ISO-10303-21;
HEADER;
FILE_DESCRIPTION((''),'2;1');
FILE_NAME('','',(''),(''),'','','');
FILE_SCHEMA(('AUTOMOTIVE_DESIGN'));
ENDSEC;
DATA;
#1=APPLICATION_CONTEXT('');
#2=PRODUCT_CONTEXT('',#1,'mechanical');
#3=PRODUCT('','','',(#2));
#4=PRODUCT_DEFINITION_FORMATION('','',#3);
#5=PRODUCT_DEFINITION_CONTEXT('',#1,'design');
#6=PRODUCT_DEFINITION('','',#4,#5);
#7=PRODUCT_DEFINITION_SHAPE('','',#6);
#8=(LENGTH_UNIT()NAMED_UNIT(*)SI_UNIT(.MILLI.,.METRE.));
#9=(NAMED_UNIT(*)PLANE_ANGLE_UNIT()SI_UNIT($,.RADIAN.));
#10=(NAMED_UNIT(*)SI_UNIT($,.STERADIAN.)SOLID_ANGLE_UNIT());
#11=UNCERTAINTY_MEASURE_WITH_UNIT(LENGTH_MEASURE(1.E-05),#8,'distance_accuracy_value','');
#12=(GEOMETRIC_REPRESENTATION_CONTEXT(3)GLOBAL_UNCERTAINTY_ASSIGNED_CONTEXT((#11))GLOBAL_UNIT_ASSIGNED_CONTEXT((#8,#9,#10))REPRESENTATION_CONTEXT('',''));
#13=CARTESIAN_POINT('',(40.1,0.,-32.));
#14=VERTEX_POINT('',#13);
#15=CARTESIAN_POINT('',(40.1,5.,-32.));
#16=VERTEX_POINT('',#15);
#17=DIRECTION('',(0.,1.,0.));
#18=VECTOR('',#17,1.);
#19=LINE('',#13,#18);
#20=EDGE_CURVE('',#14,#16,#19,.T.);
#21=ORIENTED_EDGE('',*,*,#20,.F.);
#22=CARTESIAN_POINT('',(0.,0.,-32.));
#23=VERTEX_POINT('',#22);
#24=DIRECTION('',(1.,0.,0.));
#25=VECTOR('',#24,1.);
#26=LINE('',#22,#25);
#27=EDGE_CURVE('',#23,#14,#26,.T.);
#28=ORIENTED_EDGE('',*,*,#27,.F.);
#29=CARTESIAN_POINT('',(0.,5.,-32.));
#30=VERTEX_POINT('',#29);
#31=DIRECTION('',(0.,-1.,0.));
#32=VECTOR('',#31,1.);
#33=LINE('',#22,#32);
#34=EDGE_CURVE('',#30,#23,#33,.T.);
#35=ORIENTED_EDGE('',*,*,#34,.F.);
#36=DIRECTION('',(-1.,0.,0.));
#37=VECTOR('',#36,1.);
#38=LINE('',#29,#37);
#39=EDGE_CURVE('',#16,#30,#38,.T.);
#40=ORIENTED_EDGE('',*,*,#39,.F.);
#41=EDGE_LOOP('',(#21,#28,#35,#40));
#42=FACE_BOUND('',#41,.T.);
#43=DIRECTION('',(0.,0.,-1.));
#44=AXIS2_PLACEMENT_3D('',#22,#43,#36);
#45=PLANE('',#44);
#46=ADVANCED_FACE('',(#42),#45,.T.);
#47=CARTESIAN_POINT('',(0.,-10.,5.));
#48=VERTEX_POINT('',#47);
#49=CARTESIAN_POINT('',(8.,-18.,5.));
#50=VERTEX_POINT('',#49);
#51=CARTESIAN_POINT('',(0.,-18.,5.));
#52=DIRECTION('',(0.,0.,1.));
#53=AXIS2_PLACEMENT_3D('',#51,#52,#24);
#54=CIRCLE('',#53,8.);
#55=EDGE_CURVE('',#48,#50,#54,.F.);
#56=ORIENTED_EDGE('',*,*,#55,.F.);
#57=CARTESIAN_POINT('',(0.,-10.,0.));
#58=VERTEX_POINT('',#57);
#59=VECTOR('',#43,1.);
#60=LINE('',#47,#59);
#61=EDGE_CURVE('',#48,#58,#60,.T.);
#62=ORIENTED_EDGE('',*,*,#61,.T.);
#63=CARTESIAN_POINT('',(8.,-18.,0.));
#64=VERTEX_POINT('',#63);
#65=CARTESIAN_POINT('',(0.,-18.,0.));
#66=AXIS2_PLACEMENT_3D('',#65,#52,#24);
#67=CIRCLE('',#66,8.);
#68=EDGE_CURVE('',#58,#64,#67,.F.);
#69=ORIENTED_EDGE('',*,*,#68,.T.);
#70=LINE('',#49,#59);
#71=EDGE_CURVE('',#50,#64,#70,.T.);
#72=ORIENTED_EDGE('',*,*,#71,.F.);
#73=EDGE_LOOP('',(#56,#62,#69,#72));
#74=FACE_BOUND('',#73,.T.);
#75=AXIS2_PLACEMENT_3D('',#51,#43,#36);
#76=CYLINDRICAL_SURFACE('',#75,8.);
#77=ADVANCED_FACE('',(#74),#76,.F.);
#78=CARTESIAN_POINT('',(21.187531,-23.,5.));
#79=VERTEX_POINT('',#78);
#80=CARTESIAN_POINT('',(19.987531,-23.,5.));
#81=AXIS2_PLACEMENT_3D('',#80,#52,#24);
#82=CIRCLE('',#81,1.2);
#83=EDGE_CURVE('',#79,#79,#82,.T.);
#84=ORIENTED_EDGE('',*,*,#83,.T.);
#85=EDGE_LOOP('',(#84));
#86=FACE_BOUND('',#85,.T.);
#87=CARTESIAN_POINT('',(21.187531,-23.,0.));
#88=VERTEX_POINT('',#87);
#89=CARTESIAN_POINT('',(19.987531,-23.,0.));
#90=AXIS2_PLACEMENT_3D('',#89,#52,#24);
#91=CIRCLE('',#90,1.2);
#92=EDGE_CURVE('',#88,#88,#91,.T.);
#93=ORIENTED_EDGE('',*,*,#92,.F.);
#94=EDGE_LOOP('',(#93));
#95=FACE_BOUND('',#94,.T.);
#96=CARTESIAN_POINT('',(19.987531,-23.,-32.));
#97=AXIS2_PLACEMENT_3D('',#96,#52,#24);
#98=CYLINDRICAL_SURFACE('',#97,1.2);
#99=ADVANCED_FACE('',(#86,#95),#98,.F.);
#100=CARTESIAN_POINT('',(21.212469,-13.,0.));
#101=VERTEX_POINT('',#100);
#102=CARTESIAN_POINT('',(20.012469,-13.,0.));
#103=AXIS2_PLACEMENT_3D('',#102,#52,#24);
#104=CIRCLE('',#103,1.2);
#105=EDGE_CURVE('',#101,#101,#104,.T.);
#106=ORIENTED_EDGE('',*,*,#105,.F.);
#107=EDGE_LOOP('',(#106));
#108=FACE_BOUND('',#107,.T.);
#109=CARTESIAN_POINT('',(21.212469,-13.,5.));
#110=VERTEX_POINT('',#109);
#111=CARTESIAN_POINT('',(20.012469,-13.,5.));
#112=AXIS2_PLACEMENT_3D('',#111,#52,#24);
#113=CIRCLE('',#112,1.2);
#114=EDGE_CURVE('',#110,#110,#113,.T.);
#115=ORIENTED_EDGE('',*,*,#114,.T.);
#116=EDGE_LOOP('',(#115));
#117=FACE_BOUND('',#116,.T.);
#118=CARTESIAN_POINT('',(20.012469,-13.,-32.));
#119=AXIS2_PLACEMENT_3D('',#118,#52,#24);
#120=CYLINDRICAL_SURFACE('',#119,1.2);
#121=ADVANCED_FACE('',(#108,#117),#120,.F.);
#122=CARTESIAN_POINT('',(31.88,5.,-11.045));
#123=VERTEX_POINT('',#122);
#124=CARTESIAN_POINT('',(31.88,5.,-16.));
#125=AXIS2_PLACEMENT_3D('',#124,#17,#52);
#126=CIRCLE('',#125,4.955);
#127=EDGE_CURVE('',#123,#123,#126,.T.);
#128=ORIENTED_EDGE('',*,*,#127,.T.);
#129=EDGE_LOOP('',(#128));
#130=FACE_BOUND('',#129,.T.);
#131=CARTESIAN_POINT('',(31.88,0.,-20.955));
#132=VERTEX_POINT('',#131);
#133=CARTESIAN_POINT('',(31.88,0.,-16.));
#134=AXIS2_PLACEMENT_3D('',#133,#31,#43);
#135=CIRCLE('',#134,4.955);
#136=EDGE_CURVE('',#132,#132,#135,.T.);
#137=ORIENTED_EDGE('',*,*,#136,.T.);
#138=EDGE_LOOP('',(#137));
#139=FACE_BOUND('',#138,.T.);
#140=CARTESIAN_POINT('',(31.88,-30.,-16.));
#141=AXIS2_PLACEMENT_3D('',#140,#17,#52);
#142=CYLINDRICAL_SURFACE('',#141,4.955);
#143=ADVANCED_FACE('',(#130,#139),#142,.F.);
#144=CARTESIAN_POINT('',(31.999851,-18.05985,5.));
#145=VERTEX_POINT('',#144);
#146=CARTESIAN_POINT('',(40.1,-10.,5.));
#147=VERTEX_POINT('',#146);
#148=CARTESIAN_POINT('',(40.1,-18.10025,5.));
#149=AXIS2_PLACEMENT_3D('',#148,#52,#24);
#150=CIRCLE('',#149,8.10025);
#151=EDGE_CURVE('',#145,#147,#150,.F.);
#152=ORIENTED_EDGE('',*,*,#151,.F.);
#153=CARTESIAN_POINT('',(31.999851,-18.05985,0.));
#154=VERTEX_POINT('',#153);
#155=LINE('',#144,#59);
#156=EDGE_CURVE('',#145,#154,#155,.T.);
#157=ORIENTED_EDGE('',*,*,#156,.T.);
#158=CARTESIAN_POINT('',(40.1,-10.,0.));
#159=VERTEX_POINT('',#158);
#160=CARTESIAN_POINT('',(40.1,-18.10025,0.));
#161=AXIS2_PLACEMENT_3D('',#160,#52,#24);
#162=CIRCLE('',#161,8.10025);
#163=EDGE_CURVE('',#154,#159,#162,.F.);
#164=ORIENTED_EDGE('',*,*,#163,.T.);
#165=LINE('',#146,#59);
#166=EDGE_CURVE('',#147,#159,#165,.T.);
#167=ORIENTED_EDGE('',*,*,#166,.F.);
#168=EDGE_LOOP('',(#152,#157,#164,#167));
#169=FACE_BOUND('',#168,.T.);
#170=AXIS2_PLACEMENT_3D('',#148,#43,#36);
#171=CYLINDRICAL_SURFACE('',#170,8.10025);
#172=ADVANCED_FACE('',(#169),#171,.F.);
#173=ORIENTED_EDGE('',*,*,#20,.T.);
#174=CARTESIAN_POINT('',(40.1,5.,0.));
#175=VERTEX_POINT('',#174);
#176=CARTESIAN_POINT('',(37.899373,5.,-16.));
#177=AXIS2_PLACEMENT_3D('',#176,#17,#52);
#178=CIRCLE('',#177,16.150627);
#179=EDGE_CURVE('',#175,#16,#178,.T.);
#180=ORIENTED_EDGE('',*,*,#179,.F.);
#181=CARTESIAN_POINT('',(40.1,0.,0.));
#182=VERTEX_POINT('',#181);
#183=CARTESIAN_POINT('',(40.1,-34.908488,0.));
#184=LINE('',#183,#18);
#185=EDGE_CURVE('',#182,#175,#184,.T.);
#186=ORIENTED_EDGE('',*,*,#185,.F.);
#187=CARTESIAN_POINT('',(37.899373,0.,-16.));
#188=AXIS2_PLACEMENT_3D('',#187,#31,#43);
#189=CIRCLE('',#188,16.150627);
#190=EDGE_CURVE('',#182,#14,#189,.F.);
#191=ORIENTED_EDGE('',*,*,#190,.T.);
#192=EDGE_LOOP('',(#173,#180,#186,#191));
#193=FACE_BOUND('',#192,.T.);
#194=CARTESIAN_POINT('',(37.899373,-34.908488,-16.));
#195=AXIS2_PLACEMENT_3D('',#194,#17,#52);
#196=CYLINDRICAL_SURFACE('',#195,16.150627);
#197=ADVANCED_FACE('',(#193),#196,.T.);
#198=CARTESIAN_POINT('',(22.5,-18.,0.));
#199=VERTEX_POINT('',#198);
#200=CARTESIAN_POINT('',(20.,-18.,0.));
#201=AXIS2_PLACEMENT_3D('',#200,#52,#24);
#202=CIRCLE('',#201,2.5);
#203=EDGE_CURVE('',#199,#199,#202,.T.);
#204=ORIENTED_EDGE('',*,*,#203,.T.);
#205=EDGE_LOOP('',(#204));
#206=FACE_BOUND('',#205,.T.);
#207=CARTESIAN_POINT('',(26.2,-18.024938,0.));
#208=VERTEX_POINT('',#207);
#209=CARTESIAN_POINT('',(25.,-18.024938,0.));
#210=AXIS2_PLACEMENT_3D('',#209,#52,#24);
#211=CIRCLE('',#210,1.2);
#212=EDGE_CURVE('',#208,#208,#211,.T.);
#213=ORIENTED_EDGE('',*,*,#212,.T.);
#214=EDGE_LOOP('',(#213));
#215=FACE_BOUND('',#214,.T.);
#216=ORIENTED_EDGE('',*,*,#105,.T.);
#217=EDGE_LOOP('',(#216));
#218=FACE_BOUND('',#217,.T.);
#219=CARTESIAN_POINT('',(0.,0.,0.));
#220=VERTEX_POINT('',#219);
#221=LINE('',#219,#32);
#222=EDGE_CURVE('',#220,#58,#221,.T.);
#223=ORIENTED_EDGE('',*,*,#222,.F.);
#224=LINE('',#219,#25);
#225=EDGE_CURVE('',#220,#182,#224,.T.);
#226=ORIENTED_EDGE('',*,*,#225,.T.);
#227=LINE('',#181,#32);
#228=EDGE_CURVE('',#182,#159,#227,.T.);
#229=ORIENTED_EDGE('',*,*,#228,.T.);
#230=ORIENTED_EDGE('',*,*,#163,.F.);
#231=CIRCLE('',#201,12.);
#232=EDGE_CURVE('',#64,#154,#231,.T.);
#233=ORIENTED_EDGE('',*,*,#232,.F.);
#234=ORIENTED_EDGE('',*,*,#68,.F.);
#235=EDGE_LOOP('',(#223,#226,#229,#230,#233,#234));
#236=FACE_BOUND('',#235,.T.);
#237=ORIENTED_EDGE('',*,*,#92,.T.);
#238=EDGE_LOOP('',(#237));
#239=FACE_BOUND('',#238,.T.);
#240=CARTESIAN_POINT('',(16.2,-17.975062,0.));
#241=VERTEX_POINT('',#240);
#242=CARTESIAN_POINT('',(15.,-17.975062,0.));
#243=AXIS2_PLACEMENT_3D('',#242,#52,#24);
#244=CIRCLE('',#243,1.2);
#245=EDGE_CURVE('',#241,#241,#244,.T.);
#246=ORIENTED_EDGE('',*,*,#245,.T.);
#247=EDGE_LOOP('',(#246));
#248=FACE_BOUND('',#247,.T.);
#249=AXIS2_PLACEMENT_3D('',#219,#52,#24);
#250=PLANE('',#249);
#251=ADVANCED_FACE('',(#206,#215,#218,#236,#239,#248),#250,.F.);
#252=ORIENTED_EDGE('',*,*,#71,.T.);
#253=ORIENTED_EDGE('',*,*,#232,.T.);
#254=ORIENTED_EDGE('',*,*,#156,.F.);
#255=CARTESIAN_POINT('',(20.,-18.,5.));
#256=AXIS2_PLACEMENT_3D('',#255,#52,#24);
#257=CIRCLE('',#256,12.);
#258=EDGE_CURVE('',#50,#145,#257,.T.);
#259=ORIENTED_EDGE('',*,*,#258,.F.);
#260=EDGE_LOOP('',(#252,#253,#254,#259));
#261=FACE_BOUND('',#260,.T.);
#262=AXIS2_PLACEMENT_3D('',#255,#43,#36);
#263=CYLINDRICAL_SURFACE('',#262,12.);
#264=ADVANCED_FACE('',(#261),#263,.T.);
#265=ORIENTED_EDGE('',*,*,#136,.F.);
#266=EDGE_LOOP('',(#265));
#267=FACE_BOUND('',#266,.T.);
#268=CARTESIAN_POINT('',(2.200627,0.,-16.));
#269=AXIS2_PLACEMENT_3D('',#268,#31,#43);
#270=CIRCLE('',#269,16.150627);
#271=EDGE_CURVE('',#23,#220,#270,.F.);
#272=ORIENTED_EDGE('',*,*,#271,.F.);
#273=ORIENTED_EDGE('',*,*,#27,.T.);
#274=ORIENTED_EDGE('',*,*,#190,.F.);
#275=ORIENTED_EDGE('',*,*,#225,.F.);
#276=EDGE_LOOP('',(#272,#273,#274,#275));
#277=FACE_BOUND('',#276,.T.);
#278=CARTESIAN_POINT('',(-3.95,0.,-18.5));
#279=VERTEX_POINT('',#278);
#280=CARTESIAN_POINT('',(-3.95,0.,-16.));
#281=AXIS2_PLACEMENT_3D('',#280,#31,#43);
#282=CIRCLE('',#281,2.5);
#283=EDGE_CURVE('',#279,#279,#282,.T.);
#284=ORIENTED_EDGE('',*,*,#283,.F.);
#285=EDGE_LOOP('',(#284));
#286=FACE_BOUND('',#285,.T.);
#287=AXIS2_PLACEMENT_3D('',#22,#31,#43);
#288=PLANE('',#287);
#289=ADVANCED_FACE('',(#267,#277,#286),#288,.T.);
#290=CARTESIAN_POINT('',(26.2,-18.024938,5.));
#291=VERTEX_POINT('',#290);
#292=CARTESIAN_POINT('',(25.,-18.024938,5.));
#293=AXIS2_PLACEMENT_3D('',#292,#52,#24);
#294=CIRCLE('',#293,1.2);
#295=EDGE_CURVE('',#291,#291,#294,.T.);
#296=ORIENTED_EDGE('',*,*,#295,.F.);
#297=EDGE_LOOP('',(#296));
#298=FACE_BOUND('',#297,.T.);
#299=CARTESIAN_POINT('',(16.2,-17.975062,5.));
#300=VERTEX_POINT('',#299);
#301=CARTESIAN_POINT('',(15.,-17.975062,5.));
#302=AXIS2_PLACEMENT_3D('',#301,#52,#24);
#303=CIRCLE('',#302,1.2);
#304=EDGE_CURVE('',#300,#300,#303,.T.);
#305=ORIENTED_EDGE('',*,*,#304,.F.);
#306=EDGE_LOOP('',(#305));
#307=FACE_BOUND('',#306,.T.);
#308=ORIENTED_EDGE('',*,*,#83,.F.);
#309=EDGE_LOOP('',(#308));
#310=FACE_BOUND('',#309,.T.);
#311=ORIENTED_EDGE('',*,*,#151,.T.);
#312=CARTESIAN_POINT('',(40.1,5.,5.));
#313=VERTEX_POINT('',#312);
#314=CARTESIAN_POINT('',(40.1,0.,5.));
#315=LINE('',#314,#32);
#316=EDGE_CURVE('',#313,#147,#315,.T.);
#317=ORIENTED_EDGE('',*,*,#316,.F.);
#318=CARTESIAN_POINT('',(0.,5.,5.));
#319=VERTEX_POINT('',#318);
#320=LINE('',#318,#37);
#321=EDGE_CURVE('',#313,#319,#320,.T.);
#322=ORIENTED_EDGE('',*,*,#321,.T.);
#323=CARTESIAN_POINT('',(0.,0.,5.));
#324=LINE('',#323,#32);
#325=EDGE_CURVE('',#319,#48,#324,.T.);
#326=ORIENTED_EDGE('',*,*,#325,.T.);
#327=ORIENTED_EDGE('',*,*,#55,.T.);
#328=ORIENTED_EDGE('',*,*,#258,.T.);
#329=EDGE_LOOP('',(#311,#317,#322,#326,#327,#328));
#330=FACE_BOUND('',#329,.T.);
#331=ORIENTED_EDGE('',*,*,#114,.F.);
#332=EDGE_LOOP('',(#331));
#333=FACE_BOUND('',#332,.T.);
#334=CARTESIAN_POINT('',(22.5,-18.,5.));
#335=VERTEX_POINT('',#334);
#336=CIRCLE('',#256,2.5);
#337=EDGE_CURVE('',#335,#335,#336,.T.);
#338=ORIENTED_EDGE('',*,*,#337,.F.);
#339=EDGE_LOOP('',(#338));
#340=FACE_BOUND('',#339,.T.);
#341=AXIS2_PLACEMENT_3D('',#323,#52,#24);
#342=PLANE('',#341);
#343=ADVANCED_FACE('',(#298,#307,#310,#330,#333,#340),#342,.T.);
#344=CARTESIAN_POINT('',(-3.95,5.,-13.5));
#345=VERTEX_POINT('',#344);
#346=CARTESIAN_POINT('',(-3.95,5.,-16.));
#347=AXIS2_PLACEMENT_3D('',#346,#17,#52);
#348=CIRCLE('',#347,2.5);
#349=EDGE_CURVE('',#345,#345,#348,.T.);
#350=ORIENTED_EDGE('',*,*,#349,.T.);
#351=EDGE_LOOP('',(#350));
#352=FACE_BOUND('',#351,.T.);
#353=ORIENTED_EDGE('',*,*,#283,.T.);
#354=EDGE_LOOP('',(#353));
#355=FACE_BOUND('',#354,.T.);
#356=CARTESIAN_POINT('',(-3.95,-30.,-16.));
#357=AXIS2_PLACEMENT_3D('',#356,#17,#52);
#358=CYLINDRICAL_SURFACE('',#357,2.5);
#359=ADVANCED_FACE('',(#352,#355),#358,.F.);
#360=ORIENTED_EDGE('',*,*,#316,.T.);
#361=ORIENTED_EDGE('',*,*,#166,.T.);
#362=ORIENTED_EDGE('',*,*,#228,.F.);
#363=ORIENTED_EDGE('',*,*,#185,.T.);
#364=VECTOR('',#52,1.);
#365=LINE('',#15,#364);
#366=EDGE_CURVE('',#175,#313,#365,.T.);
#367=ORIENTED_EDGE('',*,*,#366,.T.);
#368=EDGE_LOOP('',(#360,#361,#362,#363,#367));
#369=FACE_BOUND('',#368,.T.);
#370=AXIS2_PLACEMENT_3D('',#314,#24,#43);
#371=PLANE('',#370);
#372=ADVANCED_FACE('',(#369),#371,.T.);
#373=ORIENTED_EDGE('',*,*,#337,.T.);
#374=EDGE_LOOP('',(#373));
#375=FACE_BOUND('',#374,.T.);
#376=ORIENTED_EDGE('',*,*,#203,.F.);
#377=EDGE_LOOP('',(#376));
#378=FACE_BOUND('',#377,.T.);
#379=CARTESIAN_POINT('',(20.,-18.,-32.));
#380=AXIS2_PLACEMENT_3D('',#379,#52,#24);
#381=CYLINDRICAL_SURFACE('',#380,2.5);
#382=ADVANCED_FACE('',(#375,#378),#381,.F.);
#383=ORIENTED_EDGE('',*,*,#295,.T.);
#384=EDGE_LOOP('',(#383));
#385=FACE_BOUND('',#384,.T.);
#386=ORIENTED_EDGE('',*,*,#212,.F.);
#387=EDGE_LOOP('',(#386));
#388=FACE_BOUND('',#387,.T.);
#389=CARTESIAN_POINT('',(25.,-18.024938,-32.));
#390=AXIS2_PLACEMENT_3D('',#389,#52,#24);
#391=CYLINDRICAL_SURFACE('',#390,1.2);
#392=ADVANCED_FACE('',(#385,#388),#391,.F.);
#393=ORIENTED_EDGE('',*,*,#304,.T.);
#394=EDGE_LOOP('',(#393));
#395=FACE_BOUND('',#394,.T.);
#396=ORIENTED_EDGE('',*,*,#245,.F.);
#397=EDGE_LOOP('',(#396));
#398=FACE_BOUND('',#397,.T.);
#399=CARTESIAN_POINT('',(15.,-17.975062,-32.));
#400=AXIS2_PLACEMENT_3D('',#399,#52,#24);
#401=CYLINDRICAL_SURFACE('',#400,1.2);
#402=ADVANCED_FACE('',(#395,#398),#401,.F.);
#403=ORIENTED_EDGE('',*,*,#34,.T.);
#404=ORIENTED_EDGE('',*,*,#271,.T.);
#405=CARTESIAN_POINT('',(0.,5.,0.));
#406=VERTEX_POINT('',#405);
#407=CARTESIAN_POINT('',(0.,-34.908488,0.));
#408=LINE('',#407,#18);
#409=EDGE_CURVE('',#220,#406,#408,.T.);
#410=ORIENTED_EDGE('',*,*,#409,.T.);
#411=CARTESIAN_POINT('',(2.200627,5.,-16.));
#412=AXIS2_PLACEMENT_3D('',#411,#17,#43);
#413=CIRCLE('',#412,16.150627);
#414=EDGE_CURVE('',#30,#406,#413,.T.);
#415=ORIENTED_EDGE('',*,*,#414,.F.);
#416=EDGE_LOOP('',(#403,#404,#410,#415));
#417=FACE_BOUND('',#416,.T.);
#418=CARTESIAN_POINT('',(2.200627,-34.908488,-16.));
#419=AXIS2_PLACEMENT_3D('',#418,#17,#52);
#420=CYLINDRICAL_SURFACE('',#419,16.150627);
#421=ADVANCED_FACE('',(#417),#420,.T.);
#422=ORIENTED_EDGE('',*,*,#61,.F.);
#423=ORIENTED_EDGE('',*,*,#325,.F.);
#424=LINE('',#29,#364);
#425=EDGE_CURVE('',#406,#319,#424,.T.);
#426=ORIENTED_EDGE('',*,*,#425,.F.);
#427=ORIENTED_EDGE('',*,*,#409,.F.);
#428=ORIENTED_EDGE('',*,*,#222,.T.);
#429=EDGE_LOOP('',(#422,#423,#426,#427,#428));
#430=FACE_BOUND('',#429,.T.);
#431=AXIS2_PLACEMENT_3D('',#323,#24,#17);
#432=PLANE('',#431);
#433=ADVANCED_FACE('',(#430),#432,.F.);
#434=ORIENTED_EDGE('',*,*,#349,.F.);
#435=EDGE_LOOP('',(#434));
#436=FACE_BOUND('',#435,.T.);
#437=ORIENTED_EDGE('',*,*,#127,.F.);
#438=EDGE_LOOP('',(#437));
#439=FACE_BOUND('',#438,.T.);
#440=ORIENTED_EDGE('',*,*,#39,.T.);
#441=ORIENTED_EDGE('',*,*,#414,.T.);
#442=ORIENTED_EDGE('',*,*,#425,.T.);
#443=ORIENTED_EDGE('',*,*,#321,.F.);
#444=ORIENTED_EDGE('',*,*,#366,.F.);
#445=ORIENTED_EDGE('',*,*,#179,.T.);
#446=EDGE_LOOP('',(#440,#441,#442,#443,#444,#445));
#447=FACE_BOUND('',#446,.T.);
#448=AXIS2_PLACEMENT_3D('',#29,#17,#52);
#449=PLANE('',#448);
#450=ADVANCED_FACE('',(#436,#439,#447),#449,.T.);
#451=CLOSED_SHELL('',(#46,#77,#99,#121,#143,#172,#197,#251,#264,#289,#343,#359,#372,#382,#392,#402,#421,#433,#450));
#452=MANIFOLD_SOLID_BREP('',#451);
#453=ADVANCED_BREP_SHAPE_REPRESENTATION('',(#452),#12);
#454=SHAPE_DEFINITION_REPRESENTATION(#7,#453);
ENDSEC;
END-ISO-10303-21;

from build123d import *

# Parameters (mm, degrees)
SKETCH1_W           = 40.1
SKETCH1_H           = 10
BOSS_EXTRUDE1_DEPTH = 5
SKETCH2_W           = 40.1
SKETCH2_H           = 5
BOSS_EXTRUDE2_DEPTH = 37
BOSS_EXTRUDE3_DEPTH = 5
SKETCH4_R           = 1.2
SKETCH4_R_2         = 2.5
CUT_EXTRUDE1_DEPTH  = 38
SKETCH5_R           = 4.955
SKETCH5_R_2         = 2.5
CUT_EXTRUDE2_DEPTH  = 36


with BuildPart() as part:
    # Sketch1 → Boss-Extrude1 (new body)
    with BuildSketch(Plane.XY):
        with Locations((20.05, -5)):
            Rectangle(SKETCH1_W, SKETCH1_H)
        with BuildLine():
            ThreePointArc((8, -18), (19.970074906, -29.999962687), (31.999850748, -18.059850002))
            ThreePointArc((31.999850748, -18.059850002), (34.386559706, -12.358242505), (40.1, -10))
            Line((40.1, -10), (0, -10))
            ThreePointArc((0, -10), (5.656854249, -12.343145751), (8, -18))
        make_face()
    extrude(amount=BOSS_EXTRUDE1_DEPTH)

    # Sketch2 → Boss-Extrude2 (add)
    with BuildSketch(Plane.XY.offset(5)):
        with Locations((20.05, 2.5)):
            Rectangle(SKETCH2_W, SKETCH2_H)
    extrude(amount=-BOSS_EXTRUDE2_DEPTH)

    # Sketch3 → Boss-Extrude3 (add)
    with BuildSketch(Plane(origin=(0, 5, 0), x_dir=(1, 0, 0), z_dir=(0, 1, 0))):
        with BuildLine():
            Line((0, 32), (0, 0))
            ThreePointArc((0, 0), (-13.95, 16), (0, 32))
        make_face()
        with BuildLine():
            Line((40.1, 32), (40.1, 0))
            ThreePointArc((40.1, 0), (54.05, 16), (40.1, 32))
        make_face()
    extrude(amount=-BOSS_EXTRUDE3_DEPTH)

    # Sketch4 → Cut-Extrude1 (cut, through all)
    with BuildSketch(Plane.XY.offset(5)):
        with Locations((20.012468828, -13)):
            Circle(SKETCH4_R)
        with Locations((20, -18)):
            Circle(SKETCH4_R_2)
        with Locations((15, -17.975062189)):
            Circle(SKETCH4_R)
        with Locations((19.987531172, -23)):
            Circle(SKETCH4_R)
        with Locations((25, -18.024937811)):
            Circle(SKETCH4_R)
    extrude(amount=-CUT_EXTRUDE1_DEPTH, mode=Mode.SUBTRACT)

    # Sketch5 → Cut-Extrude2 (cut, through all)
    with BuildSketch(Plane(origin=(0, 5, 0), x_dir=(1, 0, 0), z_dir=(0, 1, 0))):
        with Locations((31.88, 16)):
            Circle(SKETCH5_R)
        with Locations((-3.95, 16)):
            Circle(SKETCH5_R_2)
    extrude(amount=-CUT_EXTRUDE2_DEPTH, mode=Mode.SUBTRACT)


solid = part.part
